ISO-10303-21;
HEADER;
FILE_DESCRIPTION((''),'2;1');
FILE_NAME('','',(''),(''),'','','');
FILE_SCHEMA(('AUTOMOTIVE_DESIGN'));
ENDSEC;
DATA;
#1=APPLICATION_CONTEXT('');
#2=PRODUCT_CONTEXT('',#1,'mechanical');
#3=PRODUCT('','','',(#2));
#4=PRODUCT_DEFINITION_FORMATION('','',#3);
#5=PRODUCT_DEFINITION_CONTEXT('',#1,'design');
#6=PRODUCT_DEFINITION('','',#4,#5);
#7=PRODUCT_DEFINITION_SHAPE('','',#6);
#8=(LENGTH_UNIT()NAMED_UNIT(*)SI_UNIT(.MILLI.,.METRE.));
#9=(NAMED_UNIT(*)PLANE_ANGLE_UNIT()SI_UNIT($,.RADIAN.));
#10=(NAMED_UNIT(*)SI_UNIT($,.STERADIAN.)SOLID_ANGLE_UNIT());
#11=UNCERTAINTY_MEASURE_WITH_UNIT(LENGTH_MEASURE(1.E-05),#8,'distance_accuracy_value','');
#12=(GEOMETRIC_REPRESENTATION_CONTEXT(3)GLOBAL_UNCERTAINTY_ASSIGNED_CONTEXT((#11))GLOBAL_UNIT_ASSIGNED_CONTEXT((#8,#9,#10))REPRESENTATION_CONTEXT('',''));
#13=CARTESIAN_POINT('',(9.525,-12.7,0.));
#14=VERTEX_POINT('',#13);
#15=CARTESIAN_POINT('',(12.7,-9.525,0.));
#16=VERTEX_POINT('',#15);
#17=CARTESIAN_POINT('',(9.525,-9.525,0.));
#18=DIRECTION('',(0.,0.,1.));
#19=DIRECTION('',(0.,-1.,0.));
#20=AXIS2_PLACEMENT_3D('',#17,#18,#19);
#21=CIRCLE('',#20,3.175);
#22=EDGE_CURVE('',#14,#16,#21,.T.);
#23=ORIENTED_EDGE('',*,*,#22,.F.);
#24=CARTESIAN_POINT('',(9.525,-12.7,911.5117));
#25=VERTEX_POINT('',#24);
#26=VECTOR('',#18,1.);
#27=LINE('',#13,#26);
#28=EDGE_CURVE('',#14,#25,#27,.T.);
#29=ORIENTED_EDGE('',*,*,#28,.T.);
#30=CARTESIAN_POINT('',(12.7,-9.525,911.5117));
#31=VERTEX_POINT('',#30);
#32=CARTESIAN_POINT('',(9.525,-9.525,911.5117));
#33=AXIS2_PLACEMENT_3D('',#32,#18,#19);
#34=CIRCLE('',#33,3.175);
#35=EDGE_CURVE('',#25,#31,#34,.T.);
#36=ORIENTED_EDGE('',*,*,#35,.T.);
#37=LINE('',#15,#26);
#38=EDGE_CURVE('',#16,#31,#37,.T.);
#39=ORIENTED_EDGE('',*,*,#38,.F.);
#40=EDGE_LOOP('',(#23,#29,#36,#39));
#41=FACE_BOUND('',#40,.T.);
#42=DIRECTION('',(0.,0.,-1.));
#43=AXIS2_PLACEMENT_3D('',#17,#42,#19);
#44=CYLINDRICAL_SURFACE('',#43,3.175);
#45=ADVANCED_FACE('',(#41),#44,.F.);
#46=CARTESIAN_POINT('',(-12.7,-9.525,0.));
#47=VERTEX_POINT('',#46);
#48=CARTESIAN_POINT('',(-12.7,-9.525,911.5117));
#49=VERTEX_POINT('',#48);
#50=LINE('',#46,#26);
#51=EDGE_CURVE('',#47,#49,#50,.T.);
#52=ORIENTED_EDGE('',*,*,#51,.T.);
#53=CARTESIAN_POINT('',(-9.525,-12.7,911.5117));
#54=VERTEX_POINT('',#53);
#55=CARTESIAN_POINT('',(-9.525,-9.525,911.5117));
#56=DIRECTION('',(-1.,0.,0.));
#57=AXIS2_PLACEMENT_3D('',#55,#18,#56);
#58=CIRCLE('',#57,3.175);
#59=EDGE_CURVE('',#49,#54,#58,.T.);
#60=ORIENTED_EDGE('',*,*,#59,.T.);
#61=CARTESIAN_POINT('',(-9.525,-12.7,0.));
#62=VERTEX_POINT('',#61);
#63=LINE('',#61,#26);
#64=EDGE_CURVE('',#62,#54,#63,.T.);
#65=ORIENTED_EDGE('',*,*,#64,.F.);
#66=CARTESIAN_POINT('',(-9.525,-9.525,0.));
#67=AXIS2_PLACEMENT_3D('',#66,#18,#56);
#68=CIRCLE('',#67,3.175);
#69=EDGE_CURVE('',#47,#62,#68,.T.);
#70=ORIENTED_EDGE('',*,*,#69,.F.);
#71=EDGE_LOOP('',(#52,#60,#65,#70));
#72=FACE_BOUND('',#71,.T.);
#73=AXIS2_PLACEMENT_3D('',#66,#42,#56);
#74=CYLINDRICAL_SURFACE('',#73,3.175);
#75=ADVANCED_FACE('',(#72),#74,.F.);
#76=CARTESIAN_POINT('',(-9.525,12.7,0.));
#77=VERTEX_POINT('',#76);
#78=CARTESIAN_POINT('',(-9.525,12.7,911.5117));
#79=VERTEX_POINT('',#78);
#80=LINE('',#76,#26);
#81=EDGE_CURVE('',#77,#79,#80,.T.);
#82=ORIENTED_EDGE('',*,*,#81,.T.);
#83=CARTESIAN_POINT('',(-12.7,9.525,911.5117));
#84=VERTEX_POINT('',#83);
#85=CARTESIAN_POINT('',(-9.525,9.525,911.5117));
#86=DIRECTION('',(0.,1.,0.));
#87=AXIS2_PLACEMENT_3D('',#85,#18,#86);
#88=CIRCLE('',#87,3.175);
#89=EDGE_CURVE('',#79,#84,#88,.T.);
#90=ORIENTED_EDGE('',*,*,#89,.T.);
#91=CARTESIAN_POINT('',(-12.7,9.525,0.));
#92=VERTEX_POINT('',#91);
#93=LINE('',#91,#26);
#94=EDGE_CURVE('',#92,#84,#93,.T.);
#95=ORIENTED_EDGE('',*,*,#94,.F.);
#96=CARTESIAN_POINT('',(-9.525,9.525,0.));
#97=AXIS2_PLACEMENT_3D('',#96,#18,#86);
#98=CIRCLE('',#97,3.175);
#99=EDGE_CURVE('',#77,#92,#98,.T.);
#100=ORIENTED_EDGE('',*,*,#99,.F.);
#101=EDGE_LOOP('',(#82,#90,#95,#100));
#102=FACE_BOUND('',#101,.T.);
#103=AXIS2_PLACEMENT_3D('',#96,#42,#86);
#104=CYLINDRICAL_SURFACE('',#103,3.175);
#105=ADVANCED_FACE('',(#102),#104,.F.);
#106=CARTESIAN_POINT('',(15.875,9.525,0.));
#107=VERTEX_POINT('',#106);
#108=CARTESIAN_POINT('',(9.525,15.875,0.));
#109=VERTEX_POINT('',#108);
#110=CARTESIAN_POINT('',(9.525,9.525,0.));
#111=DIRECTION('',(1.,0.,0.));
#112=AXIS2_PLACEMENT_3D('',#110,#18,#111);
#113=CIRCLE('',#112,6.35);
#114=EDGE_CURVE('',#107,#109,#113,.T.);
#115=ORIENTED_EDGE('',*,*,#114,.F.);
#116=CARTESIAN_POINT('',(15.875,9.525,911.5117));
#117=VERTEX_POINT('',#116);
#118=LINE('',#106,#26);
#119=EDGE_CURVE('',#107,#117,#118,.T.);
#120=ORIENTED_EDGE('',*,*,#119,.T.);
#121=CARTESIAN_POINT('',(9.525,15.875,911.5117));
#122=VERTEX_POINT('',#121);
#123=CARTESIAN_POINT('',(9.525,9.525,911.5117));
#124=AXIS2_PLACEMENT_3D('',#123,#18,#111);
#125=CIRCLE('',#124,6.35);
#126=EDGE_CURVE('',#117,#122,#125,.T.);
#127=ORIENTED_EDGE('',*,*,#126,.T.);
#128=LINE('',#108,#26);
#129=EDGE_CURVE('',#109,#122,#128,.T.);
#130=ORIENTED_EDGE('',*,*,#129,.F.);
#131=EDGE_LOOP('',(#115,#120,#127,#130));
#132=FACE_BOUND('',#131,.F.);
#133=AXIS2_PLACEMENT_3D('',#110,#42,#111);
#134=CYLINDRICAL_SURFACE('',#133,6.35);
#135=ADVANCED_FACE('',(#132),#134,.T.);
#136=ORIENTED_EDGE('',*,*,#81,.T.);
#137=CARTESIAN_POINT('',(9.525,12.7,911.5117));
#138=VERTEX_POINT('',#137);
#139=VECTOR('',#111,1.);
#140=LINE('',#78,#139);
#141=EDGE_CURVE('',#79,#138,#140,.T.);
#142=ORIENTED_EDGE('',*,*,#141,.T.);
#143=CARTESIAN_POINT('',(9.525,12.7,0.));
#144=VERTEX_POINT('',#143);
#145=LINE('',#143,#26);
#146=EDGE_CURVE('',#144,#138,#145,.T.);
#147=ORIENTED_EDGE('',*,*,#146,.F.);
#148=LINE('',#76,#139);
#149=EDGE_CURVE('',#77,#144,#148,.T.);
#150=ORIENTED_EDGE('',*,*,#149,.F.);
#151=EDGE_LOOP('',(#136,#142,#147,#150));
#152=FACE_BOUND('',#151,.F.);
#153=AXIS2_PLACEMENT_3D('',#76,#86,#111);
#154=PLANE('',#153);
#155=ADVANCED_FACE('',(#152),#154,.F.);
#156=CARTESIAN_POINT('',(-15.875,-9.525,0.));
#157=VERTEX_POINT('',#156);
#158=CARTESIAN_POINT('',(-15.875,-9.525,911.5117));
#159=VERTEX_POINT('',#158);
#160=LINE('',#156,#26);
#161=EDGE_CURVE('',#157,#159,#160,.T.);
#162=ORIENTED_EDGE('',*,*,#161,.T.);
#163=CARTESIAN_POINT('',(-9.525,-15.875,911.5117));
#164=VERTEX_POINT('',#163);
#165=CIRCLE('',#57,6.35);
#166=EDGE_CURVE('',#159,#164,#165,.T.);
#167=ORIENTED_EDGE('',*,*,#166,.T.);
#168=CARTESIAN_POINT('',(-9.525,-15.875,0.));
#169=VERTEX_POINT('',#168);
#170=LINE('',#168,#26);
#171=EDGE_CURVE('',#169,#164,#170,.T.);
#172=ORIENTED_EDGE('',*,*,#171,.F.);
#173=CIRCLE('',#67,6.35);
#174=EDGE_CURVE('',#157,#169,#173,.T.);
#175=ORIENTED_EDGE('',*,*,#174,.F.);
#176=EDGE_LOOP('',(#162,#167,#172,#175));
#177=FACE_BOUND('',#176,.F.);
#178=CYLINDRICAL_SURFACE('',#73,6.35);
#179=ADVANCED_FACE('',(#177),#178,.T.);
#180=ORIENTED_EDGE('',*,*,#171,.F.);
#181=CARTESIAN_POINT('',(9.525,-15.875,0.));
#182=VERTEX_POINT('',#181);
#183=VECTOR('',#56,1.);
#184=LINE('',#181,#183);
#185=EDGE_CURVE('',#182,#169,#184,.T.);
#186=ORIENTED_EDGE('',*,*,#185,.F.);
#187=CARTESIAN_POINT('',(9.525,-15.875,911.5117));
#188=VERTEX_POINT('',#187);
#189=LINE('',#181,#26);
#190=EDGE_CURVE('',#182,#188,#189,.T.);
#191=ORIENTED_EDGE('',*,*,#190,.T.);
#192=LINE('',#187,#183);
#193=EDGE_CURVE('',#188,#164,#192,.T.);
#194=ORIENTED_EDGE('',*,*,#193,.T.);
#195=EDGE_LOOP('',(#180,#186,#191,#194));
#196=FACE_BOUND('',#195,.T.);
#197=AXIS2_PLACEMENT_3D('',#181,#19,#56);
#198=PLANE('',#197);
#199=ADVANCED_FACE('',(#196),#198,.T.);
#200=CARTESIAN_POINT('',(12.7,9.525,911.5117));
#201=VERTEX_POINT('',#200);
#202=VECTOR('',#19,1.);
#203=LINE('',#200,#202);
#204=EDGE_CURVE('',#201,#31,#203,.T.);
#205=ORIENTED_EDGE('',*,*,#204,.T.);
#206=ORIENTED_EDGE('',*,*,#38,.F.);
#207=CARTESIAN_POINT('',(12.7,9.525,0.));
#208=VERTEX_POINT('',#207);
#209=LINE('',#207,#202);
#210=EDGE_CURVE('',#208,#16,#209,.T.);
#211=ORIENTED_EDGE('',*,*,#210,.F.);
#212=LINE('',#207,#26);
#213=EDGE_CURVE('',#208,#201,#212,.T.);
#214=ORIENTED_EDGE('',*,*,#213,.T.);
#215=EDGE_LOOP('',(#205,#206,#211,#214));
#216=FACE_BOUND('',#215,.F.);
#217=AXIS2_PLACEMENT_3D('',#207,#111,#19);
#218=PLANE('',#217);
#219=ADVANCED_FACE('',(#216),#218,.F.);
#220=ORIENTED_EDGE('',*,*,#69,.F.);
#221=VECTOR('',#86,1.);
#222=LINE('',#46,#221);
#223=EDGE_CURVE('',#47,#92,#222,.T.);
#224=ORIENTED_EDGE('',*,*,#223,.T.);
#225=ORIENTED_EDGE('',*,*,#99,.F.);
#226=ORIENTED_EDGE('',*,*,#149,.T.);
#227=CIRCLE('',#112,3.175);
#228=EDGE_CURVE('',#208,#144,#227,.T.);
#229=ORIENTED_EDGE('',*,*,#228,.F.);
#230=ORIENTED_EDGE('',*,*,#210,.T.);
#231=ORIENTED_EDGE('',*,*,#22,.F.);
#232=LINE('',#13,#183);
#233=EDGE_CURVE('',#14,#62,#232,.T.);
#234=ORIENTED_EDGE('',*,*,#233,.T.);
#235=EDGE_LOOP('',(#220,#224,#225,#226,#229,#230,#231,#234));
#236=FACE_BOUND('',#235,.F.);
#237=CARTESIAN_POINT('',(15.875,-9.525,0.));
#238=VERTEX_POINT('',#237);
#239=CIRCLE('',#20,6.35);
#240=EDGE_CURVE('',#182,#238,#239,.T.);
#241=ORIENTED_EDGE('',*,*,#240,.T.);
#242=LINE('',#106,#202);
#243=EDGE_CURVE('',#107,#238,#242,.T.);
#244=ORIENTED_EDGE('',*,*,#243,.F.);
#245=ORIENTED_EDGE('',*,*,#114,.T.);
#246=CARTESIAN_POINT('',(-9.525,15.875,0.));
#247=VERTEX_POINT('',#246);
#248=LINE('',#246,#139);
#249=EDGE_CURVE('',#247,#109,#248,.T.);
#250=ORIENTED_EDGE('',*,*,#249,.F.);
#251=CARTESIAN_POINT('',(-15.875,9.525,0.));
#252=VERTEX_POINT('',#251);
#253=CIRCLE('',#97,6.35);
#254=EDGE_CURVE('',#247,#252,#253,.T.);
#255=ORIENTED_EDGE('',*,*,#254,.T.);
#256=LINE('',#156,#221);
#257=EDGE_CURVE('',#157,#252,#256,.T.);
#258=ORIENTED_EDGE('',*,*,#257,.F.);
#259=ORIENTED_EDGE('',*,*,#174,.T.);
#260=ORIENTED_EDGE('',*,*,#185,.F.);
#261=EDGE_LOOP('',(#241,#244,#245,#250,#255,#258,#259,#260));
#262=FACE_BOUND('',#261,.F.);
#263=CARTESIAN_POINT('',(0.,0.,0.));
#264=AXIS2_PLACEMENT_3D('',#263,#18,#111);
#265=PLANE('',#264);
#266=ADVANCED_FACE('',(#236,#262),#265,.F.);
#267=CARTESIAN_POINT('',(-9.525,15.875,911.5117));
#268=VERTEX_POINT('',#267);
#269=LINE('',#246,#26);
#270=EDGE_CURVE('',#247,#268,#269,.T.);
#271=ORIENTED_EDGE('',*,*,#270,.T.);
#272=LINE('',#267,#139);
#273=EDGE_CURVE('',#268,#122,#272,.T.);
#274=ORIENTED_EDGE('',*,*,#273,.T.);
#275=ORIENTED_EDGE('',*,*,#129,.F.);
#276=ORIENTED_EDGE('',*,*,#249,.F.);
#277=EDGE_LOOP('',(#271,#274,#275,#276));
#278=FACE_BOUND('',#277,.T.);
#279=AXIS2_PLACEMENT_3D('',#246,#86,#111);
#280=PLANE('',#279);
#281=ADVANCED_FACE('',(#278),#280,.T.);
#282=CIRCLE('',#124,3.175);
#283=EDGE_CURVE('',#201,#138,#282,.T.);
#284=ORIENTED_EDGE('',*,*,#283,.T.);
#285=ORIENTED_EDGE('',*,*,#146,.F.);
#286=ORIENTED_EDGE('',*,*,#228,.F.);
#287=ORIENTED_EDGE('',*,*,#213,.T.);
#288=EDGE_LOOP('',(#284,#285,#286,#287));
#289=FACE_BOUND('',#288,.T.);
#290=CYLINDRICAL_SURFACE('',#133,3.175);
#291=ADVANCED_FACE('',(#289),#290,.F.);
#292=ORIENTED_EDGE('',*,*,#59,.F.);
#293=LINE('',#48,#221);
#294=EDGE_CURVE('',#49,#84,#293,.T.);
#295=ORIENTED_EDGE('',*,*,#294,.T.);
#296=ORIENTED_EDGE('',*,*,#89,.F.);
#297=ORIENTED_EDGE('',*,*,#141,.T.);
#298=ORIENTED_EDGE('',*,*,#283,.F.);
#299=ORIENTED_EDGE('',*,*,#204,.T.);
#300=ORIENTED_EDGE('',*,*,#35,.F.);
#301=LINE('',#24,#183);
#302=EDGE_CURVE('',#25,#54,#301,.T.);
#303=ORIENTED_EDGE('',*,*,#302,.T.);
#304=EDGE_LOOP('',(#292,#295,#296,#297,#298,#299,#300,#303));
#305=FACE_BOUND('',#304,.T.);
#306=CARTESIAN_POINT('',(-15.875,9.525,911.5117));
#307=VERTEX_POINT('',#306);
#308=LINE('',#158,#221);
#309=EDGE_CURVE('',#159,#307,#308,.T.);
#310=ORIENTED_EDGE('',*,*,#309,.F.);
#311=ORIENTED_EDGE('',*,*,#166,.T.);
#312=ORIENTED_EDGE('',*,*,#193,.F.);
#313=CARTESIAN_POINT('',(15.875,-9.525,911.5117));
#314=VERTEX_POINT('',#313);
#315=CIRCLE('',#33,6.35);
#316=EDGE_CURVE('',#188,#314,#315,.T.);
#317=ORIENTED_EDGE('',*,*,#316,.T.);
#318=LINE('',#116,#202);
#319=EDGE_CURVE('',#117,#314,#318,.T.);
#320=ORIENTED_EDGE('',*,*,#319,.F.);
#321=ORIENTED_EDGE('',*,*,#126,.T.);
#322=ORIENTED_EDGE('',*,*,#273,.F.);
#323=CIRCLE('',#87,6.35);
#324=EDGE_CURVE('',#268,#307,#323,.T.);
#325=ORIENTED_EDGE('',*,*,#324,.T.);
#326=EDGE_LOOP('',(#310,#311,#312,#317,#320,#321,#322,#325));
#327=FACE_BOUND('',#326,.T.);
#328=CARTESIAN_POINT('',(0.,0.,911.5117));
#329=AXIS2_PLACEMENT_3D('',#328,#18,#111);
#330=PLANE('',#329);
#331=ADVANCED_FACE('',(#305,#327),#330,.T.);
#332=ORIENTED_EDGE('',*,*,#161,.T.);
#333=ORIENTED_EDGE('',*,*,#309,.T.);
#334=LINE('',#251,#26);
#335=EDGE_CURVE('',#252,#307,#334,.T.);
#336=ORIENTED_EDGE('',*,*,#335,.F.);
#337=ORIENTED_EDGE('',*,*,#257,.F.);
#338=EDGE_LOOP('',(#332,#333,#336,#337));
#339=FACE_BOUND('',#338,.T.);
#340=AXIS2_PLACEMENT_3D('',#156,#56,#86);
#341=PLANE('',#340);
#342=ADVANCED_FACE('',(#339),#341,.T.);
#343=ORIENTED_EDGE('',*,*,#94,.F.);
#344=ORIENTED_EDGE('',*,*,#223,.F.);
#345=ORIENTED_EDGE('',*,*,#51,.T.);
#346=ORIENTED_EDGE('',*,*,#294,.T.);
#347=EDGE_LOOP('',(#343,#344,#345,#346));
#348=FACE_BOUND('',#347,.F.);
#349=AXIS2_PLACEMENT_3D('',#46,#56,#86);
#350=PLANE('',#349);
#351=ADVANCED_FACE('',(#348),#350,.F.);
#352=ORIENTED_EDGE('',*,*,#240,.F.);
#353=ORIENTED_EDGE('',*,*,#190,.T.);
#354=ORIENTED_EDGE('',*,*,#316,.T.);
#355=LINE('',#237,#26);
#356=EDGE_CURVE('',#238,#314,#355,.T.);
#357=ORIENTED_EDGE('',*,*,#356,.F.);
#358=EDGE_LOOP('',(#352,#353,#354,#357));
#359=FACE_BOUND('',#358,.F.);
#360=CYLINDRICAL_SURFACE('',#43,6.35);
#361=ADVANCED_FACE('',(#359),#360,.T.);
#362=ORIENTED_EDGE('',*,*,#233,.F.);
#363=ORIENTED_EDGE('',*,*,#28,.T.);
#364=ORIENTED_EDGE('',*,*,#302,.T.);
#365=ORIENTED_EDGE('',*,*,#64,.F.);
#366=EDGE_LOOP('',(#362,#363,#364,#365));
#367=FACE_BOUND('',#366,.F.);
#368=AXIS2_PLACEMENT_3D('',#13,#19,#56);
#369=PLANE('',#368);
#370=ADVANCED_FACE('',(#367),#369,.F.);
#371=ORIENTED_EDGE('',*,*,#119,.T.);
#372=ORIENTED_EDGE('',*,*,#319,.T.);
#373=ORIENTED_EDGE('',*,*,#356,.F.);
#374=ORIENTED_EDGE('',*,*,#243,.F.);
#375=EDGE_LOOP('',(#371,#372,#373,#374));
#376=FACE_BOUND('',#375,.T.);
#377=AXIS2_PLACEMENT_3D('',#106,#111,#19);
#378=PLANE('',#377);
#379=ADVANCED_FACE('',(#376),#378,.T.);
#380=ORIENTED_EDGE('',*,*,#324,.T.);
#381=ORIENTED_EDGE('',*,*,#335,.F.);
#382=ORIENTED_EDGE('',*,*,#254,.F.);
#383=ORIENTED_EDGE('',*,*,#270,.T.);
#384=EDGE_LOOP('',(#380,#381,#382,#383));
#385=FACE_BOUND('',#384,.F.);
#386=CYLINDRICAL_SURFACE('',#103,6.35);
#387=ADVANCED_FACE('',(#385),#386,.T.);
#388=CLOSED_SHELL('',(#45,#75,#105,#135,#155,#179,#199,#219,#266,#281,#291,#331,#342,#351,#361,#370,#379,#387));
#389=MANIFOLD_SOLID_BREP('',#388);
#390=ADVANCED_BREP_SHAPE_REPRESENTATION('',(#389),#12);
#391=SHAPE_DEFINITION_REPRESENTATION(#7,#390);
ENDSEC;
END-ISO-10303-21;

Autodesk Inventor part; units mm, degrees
ref_plane "YZ Plane" through (0, 0, 0) normal (1, 0, 0) x (0, 1, 0)
ref_plane "Start plane" through (0, 0, 0) normal (0, 0, 1) x (1, 0, 0)
ref_plane "End plane" through (0, 0, 911.5117) normal (0, 0, 1) x (1, 0, 0)
sketch "Sketch" plane through (0, 0, 0) normal (0, 0, 1) x (1, 0, 0)
  line L0 (-15.875, -9.525) -> (-15.875, 9.525)
  line L1 (-9.525, 15.875) -> (9.525, 15.875)
  line L2 (15.875, 9.525) -> (15.875, -9.525)
  line L3 (9.525, -15.875) -> (-9.525, -15.875)
  arc A0 (-15.875, -9.525) -> (-9.525, -15.875) centre (-9.525, -9.525) ccw
  arc A1 (-9.525, 15.875) -> (-15.875, 9.525) centre (-9.525, 9.525) ccw
  arc A2 (15.875, 9.525) -> (9.525, 15.875) centre (9.525, 9.525) ccw
  arc A3 (9.525, -15.875) -> (15.875, -9.525) centre (9.525, -9.525) ccw
  arc A4 (-9.525, 12.7) -> (-12.7, 9.525) centre (-9.525, 9.525) ccw
  line L4 (-9.525, 12.7) -> (9.525, 12.7)
  arc A5 (12.7, 9.525) -> (9.525, 12.7) centre (9.525, 9.525) ccw
  line L5 (12.7, 9.525) -> (12.7, -9.525)
  arc A6 (9.525, -12.7) -> (12.7, -9.525) centre (9.525, -9.525) ccw
  line L6 (9.525, -12.7) -> (-9.525, -12.7)
  arc A7 (-12.7, -9.525) -> (-9.525, -12.7) centre (-9.525, -9.525) ccw
  line L7 (-12.7, -9.525) -> (-12.7, 9.525)
  line L8 (0, 24.0662) -> (0, -24.0662) construction
  line L9 (-24.0662, 0) -> (24.0662, 0) construction
  dimension "d10" = 31.75
  dimension "d11" = 31.75
  dimension "d12" = 3.175
  dimension "d15" = 15.875
  dimension "d16" = 15.875
  dimension "d17" = 6.35
extrude "Body" add sketch "Sketch" along normal up to surface (911.5117 mm away) from surface at 0
sketch "Sketch3" plane through (0, 0, 0) normal (0, 0, 1) x (1, 0, 0)
  line L0 (0, 0) -> (10, 0)
ref_plane "Work Plane3" through (0, 0, 0) normal (0, -1, 0) x (1, 0, 0)
sketch "Sketch4" plane through (0, 0, 0) normal (0, -1, 0) x (1, 0, 0)
  line L0 (-2, 0) -> (12, 0)
  line L1 (-2, 911.5117) -> (12, 911.5117)
  dimension "d19" = 911.5118
equation "\"d10\" = G_H"
equation "\"d11\" = G_W"
equation "\"d12\" = G_T"
equation "\"d15\" = 0.5 * d10"
equation "\"d16\" = 0.5 * d11"
equation "\"d17\" = G_IR"
equation "\"d3\" = G_L"
equation "\"G_W\" = 31.75"
equation "\"G_H\" = 31.75"
equation "\"G_T\" = 3.175"
equation "\"G_IR\" = 6.35"
equation "\"G_L\" = d19"
equation "\"G_OFFSET_START\" = 0"
equation "\"G_OFFSET_END\" = 0"
equation "\"d14\" = G_OFFSET_END + B_L"
equation "\"B_L\" = 911.51175"
properties part number "AISC HSS - (1 1/4x1 1/4x1/8) - 35.886" material "Steel, Mild"
